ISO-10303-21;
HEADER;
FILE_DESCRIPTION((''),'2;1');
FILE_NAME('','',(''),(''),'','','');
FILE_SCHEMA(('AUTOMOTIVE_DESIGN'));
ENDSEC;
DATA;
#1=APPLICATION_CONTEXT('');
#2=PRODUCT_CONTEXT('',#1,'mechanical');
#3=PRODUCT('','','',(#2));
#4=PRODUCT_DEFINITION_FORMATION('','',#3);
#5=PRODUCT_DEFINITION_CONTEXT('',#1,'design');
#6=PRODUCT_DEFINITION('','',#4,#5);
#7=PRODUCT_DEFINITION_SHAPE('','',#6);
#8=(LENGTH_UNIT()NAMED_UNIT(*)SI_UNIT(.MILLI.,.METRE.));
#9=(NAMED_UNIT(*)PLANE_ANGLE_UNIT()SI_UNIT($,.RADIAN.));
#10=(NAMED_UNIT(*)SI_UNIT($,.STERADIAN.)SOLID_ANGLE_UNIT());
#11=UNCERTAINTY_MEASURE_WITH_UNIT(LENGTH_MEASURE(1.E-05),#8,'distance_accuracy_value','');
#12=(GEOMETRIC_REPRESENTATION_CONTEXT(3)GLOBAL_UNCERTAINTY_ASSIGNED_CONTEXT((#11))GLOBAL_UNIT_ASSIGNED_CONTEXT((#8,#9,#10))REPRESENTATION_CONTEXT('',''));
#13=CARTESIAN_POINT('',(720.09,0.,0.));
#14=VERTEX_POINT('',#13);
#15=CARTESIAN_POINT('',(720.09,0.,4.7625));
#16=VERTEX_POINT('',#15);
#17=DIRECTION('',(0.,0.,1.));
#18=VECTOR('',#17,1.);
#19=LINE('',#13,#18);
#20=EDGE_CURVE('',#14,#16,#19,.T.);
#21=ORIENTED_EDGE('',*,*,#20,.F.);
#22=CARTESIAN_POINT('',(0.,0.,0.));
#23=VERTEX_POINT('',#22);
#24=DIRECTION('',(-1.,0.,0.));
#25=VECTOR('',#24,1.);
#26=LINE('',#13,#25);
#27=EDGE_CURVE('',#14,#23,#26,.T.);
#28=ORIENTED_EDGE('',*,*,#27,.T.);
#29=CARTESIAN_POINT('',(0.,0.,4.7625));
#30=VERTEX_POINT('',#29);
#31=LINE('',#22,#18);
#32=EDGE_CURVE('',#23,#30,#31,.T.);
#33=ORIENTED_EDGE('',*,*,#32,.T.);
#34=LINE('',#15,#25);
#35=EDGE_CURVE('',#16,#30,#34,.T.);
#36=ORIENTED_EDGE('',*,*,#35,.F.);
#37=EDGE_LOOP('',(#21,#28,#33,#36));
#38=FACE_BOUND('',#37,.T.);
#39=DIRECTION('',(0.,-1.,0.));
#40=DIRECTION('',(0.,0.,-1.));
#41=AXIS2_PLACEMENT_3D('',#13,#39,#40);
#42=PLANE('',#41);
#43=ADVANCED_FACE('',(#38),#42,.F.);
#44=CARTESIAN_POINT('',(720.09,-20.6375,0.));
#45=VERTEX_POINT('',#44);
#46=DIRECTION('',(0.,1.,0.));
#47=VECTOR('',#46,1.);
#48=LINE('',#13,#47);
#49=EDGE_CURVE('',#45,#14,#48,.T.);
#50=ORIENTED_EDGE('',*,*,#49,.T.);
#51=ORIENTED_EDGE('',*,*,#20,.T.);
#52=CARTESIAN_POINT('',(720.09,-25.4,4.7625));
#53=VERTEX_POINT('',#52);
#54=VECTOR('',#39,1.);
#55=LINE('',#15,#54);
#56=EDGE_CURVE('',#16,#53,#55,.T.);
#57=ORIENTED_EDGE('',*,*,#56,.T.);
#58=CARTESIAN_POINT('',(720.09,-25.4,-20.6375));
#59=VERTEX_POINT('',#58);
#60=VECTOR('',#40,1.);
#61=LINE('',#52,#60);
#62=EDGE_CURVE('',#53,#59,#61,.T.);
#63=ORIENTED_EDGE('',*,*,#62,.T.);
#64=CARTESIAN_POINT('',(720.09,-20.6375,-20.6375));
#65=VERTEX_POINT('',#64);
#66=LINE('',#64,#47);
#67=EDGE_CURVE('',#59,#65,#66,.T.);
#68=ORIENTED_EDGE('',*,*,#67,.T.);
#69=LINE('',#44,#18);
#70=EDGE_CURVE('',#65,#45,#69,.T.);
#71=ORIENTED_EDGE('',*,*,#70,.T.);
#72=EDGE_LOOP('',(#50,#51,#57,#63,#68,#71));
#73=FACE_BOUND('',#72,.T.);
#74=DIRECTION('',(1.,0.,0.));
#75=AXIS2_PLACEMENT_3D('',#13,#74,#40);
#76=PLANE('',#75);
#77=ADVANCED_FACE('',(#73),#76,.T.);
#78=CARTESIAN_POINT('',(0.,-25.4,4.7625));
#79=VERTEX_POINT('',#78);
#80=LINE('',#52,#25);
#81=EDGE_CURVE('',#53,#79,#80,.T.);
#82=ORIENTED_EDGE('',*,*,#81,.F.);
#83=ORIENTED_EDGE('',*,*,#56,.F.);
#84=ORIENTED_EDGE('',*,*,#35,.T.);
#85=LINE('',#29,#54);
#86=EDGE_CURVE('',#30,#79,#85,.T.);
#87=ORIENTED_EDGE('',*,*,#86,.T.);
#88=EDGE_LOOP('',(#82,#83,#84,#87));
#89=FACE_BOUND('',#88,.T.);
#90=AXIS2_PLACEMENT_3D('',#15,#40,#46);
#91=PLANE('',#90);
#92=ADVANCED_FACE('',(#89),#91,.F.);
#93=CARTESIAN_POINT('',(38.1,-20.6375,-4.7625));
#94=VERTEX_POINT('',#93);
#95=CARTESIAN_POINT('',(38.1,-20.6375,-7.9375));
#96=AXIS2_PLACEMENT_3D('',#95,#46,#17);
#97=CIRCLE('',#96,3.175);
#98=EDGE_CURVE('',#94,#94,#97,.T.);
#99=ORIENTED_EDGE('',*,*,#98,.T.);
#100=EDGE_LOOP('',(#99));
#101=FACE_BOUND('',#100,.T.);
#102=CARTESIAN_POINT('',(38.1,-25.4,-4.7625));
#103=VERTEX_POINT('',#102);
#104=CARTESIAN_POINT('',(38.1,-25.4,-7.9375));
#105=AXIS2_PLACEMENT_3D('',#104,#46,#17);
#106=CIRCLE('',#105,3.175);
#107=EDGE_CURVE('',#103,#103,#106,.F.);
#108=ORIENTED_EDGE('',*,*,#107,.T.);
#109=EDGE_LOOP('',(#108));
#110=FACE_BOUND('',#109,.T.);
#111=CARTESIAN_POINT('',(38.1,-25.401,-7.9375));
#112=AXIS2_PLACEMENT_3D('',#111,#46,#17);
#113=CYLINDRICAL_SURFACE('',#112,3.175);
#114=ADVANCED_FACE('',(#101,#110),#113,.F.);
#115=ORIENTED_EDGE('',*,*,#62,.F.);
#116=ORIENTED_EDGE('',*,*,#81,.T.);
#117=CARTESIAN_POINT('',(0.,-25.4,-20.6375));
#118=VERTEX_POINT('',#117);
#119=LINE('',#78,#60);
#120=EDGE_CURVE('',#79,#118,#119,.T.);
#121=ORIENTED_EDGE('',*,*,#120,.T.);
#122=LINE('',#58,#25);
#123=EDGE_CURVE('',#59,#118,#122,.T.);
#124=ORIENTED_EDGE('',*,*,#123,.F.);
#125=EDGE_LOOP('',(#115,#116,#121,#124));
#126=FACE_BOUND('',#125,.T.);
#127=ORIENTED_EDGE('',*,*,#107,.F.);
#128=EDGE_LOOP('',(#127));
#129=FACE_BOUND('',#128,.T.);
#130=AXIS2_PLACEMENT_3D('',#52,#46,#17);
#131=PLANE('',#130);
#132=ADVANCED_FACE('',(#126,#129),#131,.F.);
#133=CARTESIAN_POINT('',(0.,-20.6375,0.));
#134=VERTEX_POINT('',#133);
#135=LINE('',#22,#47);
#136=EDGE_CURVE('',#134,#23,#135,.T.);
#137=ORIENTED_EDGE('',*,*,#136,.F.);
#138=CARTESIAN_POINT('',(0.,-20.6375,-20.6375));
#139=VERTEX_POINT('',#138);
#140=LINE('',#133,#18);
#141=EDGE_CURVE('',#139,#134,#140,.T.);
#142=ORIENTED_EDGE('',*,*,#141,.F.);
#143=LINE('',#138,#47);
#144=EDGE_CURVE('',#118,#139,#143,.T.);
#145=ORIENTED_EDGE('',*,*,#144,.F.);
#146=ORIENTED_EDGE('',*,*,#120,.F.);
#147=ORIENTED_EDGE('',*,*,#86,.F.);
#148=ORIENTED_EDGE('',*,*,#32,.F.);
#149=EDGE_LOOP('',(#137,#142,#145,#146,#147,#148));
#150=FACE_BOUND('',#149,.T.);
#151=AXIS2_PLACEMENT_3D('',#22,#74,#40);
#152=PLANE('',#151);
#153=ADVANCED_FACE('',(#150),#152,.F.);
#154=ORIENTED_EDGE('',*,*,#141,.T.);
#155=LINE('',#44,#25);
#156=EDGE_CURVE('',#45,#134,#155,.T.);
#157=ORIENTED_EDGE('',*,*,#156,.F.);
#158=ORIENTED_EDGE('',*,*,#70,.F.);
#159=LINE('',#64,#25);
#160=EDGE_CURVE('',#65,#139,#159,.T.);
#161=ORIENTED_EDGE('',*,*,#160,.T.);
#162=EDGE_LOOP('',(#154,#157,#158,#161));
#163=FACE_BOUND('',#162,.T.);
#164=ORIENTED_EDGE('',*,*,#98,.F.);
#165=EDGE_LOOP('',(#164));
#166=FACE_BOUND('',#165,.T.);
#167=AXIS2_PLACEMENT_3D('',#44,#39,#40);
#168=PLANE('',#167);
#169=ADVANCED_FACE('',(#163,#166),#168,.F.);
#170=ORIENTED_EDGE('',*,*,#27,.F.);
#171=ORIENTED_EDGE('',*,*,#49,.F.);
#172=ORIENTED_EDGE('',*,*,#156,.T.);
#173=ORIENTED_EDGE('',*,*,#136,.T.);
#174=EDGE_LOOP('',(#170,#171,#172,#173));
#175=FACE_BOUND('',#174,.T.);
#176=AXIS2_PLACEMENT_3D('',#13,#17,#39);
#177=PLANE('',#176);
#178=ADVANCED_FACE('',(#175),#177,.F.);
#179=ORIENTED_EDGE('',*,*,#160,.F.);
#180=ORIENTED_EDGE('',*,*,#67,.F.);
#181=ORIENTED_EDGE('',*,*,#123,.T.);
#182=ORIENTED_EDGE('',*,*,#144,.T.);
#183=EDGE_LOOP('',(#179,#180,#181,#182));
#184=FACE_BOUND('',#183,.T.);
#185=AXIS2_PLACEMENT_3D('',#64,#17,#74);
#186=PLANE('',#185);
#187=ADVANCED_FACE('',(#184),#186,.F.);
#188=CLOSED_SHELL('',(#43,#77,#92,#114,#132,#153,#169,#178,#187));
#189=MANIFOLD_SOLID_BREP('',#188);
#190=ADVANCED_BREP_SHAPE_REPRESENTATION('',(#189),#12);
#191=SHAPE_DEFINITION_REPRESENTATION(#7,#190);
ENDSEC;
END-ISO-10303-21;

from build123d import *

# Parameters (mm, degrees)
BOSS_EXTRUDE1_DEPTH = 720.09
CUT_EXTRUDE1_REACH  = 722.681
SKETCH3_R           = 3.175


with BuildPart() as part:
    # Sketch1 → Boss-Extrude1 (new body)
    with BuildSketch(Plane(origin=(0, 0, 0), x_dir=(0, 0, -1), z_dir=(1, 0, 0))):
        Polygon((0, 0), (0, -20.6375), (20.6375, -20.6375), (20.6375, -25.4), (-4.7625, -25.4), (-4.7625, 0), align=None)
    extrude(amount=BOSS_EXTRUDE1_DEPTH)

    # Sketch3 → Cut-Extrude1 (cut, up to next)
    with BuildSketch(Plane(origin=(0, -20.6375, 0), x_dir=(1, 0, 0), z_dir=(0, 1, 0)), mode=Mode.PRIVATE) as cut_extrude1_sk1:
        with Locations(Location((38.1, 7.9375, 0), (0, 0, 270))):
            Circle(SKETCH3_R)
    cut_extrude1_tool1 = extrude(cut_extrude1_sk1.sketch, amount=-CUT_EXTRUDE1_REACH, mode=Mode.PRIVATE) & part.part
    add(cut_extrude1_tool1.solids().sort_by_distance((38.1, -20.6375, -7.9375))[0], mode=Mode.SUBTRACT)


solid = part.part
